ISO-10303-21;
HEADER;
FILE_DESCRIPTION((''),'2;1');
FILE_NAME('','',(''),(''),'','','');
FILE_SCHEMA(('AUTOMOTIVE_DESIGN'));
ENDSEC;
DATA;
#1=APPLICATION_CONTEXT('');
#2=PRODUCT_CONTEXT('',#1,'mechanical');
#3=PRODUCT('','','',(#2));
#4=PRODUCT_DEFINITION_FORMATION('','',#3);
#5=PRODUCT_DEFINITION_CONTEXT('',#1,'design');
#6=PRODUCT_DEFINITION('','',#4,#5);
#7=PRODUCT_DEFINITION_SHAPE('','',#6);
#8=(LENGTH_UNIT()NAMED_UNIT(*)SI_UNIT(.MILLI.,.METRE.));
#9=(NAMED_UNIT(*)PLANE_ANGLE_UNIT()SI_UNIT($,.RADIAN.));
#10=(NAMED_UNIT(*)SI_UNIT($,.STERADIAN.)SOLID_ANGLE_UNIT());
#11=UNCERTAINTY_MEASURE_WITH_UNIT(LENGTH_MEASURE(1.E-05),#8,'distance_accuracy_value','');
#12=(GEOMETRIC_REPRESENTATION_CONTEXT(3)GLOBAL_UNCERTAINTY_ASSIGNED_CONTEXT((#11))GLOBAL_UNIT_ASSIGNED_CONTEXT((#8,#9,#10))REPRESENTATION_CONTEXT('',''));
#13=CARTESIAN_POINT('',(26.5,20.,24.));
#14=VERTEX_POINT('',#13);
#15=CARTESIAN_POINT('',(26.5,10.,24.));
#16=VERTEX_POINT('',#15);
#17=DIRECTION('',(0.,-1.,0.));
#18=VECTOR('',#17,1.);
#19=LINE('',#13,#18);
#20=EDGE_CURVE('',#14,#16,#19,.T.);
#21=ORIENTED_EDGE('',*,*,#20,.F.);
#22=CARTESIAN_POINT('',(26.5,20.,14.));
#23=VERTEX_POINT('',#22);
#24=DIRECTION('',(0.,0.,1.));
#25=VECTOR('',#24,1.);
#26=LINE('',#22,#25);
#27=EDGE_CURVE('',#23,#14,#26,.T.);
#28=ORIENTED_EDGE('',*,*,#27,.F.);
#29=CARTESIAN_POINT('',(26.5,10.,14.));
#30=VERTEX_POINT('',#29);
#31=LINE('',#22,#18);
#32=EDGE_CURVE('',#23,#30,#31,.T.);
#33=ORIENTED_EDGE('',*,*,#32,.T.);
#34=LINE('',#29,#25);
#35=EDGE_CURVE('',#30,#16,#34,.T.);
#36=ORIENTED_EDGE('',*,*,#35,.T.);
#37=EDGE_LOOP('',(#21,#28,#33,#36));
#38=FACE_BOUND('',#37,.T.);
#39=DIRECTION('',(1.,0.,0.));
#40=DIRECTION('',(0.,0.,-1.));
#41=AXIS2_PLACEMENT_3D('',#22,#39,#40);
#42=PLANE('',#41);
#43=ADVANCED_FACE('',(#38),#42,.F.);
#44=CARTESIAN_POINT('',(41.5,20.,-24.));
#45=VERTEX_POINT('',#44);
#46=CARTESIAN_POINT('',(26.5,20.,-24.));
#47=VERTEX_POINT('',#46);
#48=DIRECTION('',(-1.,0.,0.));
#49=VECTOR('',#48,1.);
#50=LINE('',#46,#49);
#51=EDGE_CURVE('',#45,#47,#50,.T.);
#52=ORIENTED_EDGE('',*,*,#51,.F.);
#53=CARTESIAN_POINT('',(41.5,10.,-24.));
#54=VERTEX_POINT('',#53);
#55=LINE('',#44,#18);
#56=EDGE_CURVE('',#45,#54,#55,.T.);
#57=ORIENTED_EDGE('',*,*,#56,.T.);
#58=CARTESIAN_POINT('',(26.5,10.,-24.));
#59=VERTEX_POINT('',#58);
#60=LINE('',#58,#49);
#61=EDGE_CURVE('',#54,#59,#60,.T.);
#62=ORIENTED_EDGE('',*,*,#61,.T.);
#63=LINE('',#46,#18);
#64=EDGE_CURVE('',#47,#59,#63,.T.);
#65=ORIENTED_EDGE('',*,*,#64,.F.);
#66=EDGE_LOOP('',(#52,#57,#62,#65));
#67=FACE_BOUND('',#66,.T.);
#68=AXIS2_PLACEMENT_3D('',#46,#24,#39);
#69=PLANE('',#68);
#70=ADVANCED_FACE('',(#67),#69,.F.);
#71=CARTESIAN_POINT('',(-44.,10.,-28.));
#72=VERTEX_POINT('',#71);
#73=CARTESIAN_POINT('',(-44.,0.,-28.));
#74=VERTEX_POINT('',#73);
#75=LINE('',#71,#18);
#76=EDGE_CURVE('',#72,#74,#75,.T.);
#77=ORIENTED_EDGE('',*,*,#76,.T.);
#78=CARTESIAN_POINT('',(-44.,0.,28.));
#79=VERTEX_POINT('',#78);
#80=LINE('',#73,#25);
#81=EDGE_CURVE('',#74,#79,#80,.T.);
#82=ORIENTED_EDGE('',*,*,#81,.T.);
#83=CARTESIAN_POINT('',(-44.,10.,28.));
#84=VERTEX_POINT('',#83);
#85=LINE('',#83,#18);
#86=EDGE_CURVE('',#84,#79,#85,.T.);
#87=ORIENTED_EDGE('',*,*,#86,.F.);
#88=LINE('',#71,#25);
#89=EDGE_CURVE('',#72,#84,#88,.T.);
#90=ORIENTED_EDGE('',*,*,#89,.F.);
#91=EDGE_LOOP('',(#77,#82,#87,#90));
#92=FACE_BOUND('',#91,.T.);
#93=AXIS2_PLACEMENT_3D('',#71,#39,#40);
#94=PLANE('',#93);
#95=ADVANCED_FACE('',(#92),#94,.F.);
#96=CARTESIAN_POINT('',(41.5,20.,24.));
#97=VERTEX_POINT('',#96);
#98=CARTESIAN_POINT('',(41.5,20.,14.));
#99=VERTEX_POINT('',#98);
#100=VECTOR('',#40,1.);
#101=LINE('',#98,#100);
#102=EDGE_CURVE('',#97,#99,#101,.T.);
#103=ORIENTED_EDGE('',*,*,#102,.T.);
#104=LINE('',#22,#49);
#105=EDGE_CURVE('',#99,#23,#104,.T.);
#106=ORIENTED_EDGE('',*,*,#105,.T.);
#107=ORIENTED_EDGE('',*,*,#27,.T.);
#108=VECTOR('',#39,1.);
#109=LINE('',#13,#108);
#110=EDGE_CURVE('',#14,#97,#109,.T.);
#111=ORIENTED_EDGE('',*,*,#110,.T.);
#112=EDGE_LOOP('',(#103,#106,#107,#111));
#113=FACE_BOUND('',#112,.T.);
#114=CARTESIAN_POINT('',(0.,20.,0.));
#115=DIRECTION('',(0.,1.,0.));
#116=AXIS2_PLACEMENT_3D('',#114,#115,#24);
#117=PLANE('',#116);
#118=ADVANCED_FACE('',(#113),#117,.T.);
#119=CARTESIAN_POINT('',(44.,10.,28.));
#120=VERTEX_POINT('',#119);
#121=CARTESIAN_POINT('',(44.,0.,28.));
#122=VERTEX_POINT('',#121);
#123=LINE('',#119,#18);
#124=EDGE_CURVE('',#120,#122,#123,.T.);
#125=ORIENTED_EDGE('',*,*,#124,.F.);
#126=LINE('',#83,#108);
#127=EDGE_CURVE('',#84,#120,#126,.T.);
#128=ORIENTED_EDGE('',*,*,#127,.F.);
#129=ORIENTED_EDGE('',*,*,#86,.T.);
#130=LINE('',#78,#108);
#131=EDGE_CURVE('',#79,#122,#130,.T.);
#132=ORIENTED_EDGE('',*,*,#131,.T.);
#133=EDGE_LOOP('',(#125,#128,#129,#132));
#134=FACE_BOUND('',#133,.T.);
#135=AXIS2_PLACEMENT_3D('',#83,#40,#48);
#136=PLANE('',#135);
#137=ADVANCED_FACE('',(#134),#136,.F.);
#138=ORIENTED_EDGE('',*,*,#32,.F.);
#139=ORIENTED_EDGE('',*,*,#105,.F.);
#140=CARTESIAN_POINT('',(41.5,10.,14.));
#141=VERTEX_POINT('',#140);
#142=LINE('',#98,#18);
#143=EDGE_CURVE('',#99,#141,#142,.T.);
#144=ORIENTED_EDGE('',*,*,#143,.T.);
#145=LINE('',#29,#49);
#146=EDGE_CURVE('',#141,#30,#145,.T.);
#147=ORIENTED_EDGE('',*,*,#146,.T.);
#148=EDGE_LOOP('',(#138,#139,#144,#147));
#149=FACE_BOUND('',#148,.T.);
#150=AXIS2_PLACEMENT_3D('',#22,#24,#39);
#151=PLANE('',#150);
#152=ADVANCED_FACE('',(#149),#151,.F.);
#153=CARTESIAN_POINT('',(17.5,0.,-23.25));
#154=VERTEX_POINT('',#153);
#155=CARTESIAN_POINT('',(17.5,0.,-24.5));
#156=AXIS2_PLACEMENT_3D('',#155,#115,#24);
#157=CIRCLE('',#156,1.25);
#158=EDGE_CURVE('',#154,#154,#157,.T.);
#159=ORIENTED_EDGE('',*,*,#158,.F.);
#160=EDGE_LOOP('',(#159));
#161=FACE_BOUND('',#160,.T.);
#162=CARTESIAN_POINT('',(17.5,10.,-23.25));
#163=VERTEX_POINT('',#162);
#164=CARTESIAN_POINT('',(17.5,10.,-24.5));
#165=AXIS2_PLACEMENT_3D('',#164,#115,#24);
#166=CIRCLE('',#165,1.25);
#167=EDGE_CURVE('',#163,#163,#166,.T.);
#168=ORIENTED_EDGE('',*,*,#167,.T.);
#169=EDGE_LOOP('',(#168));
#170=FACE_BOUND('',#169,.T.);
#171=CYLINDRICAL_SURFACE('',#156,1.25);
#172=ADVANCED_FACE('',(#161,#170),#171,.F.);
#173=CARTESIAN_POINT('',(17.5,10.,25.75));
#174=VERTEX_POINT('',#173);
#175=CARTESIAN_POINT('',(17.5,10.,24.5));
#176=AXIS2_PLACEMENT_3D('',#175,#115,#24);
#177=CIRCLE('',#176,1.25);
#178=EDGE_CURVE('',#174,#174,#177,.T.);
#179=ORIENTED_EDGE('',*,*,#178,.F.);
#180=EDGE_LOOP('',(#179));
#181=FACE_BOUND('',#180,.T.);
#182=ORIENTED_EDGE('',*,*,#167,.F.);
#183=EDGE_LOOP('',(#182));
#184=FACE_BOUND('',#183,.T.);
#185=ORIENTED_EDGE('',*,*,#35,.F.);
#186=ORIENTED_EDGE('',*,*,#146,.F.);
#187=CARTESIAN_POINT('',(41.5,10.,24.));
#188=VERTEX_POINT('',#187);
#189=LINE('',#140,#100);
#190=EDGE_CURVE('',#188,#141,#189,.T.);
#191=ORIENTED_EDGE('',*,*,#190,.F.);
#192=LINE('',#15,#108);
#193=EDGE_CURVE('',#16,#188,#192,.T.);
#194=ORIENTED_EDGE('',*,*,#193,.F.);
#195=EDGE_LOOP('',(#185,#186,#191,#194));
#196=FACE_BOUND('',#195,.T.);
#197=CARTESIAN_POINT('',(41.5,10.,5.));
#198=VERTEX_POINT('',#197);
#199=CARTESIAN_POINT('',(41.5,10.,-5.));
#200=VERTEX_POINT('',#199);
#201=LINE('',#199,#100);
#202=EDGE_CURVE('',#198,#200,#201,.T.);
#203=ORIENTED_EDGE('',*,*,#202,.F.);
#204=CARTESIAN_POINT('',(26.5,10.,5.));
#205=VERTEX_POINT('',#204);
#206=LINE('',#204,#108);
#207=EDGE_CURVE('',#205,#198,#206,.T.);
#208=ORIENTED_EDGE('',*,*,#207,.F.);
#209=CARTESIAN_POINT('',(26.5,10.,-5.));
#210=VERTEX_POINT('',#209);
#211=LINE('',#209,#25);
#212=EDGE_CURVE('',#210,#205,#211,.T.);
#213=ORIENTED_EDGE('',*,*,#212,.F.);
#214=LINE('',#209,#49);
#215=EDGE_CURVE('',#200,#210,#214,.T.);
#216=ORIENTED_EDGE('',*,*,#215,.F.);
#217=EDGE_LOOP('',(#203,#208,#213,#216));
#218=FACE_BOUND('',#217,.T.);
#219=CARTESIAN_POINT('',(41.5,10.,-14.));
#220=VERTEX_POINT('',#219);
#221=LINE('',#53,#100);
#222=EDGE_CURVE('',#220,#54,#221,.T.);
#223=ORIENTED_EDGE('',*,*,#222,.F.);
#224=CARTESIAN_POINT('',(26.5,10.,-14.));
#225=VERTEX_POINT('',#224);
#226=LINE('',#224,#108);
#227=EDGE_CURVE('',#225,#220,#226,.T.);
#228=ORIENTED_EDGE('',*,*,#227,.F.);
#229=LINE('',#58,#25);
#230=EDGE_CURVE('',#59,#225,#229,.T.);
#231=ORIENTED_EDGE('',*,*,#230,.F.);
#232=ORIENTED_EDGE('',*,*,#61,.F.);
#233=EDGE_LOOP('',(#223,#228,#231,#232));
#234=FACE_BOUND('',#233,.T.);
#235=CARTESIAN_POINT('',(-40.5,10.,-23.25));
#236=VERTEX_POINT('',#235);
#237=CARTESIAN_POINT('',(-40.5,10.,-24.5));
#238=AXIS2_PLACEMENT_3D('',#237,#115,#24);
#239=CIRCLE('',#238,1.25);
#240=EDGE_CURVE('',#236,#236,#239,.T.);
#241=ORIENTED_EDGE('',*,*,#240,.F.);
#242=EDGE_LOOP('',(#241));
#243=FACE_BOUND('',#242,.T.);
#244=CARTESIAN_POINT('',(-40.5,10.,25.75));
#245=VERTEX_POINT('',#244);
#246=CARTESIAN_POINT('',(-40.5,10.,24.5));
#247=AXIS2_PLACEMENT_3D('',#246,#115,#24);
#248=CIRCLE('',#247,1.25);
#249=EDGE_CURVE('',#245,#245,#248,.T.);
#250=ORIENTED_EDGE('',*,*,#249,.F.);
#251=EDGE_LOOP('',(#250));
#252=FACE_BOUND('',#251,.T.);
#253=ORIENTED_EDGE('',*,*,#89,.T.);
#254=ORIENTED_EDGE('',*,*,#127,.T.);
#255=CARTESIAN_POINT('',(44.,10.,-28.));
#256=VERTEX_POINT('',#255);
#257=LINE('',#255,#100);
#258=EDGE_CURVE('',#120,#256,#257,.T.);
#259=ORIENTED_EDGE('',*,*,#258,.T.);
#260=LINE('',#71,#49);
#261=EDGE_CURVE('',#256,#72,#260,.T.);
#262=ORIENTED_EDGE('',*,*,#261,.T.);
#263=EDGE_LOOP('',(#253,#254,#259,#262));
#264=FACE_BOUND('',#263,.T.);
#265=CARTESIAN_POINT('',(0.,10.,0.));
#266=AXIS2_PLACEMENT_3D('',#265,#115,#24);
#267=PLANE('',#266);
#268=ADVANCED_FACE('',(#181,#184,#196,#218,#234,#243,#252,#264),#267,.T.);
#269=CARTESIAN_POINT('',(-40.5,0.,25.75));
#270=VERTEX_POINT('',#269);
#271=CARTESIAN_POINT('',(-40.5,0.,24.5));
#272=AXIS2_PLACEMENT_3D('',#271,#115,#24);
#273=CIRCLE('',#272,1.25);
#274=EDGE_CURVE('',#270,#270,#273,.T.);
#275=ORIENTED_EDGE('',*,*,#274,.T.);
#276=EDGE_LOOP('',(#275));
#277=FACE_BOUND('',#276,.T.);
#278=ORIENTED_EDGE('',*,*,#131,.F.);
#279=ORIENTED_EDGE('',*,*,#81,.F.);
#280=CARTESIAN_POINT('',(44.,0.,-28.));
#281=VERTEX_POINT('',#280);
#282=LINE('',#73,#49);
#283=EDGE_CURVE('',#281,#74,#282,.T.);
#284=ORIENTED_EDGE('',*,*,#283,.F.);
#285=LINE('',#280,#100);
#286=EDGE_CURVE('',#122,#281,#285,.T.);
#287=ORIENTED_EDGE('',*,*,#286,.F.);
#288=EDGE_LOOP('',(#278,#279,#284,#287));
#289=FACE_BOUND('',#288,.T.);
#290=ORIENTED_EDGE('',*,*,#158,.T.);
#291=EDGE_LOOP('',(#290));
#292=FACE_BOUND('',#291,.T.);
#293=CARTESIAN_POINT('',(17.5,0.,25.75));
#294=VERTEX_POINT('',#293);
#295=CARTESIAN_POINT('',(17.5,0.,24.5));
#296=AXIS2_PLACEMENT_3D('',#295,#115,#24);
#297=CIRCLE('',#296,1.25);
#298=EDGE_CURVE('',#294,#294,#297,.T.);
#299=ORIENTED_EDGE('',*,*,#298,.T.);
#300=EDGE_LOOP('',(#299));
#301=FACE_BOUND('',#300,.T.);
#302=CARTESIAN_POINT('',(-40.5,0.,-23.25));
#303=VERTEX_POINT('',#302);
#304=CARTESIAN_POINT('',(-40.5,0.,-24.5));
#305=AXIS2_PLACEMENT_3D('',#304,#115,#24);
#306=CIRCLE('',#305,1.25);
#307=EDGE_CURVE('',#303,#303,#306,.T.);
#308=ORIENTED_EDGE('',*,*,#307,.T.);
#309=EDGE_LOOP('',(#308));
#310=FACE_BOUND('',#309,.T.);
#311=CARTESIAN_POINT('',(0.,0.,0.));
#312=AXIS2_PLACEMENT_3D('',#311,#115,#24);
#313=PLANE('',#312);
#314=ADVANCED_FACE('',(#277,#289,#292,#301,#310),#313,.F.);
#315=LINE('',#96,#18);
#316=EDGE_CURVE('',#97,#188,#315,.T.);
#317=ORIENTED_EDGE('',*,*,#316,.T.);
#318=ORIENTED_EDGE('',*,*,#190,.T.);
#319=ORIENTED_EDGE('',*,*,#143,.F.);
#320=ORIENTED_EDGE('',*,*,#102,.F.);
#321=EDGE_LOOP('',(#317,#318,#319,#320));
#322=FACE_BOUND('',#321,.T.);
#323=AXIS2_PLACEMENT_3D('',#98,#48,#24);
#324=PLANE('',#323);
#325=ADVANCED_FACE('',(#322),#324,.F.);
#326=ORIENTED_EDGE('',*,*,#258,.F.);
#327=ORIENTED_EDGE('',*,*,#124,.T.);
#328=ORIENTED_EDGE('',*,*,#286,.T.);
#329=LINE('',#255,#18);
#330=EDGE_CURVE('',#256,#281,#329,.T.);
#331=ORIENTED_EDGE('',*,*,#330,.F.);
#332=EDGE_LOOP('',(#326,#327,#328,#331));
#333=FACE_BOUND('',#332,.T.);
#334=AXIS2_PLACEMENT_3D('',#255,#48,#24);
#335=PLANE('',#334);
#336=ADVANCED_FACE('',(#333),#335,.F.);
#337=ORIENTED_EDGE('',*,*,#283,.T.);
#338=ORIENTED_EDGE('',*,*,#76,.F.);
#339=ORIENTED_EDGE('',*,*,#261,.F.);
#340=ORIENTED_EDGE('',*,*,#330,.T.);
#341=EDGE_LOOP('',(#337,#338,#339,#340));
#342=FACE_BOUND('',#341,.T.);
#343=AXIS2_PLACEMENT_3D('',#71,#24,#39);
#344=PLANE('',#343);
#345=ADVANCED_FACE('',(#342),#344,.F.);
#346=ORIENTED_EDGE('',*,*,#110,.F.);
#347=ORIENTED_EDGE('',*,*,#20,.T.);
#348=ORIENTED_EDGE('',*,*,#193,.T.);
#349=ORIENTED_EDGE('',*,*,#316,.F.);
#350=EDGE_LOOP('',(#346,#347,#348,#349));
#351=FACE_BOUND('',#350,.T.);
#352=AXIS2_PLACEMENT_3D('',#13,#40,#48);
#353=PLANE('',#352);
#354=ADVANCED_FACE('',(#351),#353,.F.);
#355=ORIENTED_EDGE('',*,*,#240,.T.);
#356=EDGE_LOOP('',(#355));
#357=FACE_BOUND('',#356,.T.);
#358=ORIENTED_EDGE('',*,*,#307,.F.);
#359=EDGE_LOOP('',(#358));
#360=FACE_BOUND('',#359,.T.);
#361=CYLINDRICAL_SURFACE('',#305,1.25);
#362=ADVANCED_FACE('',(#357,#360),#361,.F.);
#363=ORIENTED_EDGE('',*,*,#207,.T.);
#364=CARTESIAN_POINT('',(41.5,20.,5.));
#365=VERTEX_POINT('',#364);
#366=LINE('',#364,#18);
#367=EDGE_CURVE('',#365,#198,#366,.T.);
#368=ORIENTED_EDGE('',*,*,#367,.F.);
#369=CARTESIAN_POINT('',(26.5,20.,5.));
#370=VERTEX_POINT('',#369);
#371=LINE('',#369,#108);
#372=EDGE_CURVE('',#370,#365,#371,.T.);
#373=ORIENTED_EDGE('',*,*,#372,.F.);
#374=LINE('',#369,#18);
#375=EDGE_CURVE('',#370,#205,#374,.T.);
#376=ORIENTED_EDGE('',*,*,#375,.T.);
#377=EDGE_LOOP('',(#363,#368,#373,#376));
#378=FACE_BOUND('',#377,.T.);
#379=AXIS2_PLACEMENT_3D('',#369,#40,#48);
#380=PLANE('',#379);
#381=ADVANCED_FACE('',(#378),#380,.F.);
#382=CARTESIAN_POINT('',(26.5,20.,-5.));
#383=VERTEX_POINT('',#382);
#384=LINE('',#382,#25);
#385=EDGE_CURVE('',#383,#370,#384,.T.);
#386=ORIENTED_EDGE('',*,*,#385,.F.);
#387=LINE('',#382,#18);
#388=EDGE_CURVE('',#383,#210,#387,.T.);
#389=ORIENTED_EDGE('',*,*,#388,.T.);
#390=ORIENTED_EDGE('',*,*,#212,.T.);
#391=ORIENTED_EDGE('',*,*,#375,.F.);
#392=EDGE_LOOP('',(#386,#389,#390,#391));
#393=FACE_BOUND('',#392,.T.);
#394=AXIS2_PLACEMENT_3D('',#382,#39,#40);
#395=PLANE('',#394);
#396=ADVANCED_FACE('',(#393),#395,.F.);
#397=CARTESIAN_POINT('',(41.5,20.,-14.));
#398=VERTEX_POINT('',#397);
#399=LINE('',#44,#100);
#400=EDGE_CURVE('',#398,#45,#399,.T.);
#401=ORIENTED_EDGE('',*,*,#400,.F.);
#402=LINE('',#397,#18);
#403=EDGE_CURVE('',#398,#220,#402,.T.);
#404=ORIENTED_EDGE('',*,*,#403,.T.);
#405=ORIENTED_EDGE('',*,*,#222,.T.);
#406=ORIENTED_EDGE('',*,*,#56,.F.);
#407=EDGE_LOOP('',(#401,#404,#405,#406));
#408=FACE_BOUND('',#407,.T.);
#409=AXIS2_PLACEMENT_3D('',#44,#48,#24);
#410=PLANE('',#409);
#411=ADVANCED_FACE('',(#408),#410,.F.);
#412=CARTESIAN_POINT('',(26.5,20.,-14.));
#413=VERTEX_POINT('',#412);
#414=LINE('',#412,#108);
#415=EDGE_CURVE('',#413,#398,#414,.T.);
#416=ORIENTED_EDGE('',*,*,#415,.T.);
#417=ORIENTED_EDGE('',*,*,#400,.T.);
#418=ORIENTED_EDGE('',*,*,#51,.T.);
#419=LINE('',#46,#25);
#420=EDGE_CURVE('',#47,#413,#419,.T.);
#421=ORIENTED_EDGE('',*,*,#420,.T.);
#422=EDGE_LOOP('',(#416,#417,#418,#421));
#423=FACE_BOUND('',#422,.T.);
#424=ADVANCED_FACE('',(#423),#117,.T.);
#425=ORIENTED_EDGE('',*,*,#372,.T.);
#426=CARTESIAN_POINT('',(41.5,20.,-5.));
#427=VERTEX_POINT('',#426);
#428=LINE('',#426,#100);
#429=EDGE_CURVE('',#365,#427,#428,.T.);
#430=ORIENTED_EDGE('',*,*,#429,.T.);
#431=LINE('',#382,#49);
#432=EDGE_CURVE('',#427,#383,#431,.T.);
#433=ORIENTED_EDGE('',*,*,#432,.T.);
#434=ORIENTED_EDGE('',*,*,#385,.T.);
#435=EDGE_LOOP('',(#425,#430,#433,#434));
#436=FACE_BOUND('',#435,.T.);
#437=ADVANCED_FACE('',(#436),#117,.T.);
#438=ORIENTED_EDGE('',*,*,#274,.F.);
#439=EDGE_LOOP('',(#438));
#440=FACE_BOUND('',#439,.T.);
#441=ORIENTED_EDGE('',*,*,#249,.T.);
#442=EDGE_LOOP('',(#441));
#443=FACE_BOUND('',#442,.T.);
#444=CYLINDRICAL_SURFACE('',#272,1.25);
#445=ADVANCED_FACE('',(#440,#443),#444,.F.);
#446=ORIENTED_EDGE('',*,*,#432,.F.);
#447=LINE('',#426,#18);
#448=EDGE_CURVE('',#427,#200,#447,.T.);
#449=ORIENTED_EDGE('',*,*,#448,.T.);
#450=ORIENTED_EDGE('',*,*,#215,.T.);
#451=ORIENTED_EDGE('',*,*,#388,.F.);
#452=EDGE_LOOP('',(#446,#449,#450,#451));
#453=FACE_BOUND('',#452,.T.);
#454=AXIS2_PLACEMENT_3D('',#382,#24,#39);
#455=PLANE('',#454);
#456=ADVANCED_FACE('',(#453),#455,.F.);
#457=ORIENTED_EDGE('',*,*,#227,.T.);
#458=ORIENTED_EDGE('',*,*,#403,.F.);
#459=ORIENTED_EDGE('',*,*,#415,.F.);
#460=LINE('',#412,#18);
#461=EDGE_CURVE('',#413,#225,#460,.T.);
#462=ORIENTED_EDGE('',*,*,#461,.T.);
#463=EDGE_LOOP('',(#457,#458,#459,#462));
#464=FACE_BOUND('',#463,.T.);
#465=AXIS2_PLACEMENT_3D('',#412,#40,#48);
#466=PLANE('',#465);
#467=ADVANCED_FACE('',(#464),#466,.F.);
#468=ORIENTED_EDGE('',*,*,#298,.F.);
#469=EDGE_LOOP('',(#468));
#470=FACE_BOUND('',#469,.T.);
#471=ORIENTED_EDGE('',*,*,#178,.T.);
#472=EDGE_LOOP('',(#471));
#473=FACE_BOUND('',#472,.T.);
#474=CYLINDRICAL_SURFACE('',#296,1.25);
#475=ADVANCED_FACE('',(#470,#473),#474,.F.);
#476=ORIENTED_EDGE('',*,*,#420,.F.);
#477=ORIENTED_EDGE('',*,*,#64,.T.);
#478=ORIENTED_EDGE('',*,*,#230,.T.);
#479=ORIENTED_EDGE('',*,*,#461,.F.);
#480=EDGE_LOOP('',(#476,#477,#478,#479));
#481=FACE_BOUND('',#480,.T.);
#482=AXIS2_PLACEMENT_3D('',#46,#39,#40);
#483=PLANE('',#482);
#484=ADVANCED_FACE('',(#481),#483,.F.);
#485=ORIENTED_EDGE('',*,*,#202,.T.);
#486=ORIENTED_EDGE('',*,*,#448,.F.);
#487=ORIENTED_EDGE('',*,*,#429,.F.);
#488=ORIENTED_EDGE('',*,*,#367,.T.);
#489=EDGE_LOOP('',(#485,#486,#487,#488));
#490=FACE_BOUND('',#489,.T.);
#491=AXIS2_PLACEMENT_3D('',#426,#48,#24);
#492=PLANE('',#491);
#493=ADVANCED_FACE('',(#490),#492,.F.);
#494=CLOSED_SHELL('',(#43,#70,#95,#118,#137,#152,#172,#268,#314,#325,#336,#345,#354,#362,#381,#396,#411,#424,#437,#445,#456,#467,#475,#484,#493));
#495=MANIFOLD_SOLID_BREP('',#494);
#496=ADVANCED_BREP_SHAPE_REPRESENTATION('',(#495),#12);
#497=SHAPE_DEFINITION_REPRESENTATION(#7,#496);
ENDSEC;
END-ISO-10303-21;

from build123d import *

# Parameters (mm, degrees)
SKETCH1_W           = 88
SKETCH1_H           = 56
BOSS_EXTRUDE2_DEPTH = 10
SKETCH2_R           = 1.25
CUT_EXTRUDE1_DEPTH  = 10
SKETCH3_W           = 15
SKETCH3_H           = 10
BOSS_EXTRUDE3_DEPTH = 10


with BuildPart() as part:
    # Sketch1 → Boss-Extrude2 (new body)
    with BuildSketch(Plane(origin=(0, 0, 0), x_dir=(1, 0, 0), z_dir=(0, 1, 0))):
        Rectangle(SKETCH1_W, SKETCH1_H)
    extrude(amount=BOSS_EXTRUDE2_DEPTH)

    # Sketch2 → Cut-Extrude1 (cut)
    with BuildSketch(Plane(origin=(0, 10, 0), x_dir=(1, 0, 0), z_dir=(0, 1, 0))):
        with Locations(Location((-40.5, 24.5, 0), (0, 0, 270))):
            Circle(SKETCH2_R)
        with Locations(Location((17.5, 24.5, 0), (0, 0, 270))):
            Circle(SKETCH2_R)
        with Locations(Location((-40.5, -24.5, 0), (0, 0, 270))):
            Circle(SKETCH2_R)
        with Locations(Location((17.5, -24.5, 0), (0, 0, 270))):
            Circle(SKETCH2_R)
    extrude(amount=-CUT_EXTRUDE1_DEPTH, mode=Mode.SUBTRACT)

    # Sketch3 → Boss-Extrude3 (add)
    with BuildSketch(Plane(origin=(0, 10, 0), x_dir=(1, 0, 0), z_dir=(0, 1, 0))):
        with Locations((34, 19)):
            Rectangle(SKETCH3_W, SKETCH3_H)
        with Locations((34, 0)):
            Rectangle(SKETCH3_W, SKETCH3_H)
        with Locations((34, -19)):
            Rectangle(SKETCH3_W, SKETCH3_H)
    extrude(amount=BOSS_EXTRUDE3_DEPTH)


solid = part.part
